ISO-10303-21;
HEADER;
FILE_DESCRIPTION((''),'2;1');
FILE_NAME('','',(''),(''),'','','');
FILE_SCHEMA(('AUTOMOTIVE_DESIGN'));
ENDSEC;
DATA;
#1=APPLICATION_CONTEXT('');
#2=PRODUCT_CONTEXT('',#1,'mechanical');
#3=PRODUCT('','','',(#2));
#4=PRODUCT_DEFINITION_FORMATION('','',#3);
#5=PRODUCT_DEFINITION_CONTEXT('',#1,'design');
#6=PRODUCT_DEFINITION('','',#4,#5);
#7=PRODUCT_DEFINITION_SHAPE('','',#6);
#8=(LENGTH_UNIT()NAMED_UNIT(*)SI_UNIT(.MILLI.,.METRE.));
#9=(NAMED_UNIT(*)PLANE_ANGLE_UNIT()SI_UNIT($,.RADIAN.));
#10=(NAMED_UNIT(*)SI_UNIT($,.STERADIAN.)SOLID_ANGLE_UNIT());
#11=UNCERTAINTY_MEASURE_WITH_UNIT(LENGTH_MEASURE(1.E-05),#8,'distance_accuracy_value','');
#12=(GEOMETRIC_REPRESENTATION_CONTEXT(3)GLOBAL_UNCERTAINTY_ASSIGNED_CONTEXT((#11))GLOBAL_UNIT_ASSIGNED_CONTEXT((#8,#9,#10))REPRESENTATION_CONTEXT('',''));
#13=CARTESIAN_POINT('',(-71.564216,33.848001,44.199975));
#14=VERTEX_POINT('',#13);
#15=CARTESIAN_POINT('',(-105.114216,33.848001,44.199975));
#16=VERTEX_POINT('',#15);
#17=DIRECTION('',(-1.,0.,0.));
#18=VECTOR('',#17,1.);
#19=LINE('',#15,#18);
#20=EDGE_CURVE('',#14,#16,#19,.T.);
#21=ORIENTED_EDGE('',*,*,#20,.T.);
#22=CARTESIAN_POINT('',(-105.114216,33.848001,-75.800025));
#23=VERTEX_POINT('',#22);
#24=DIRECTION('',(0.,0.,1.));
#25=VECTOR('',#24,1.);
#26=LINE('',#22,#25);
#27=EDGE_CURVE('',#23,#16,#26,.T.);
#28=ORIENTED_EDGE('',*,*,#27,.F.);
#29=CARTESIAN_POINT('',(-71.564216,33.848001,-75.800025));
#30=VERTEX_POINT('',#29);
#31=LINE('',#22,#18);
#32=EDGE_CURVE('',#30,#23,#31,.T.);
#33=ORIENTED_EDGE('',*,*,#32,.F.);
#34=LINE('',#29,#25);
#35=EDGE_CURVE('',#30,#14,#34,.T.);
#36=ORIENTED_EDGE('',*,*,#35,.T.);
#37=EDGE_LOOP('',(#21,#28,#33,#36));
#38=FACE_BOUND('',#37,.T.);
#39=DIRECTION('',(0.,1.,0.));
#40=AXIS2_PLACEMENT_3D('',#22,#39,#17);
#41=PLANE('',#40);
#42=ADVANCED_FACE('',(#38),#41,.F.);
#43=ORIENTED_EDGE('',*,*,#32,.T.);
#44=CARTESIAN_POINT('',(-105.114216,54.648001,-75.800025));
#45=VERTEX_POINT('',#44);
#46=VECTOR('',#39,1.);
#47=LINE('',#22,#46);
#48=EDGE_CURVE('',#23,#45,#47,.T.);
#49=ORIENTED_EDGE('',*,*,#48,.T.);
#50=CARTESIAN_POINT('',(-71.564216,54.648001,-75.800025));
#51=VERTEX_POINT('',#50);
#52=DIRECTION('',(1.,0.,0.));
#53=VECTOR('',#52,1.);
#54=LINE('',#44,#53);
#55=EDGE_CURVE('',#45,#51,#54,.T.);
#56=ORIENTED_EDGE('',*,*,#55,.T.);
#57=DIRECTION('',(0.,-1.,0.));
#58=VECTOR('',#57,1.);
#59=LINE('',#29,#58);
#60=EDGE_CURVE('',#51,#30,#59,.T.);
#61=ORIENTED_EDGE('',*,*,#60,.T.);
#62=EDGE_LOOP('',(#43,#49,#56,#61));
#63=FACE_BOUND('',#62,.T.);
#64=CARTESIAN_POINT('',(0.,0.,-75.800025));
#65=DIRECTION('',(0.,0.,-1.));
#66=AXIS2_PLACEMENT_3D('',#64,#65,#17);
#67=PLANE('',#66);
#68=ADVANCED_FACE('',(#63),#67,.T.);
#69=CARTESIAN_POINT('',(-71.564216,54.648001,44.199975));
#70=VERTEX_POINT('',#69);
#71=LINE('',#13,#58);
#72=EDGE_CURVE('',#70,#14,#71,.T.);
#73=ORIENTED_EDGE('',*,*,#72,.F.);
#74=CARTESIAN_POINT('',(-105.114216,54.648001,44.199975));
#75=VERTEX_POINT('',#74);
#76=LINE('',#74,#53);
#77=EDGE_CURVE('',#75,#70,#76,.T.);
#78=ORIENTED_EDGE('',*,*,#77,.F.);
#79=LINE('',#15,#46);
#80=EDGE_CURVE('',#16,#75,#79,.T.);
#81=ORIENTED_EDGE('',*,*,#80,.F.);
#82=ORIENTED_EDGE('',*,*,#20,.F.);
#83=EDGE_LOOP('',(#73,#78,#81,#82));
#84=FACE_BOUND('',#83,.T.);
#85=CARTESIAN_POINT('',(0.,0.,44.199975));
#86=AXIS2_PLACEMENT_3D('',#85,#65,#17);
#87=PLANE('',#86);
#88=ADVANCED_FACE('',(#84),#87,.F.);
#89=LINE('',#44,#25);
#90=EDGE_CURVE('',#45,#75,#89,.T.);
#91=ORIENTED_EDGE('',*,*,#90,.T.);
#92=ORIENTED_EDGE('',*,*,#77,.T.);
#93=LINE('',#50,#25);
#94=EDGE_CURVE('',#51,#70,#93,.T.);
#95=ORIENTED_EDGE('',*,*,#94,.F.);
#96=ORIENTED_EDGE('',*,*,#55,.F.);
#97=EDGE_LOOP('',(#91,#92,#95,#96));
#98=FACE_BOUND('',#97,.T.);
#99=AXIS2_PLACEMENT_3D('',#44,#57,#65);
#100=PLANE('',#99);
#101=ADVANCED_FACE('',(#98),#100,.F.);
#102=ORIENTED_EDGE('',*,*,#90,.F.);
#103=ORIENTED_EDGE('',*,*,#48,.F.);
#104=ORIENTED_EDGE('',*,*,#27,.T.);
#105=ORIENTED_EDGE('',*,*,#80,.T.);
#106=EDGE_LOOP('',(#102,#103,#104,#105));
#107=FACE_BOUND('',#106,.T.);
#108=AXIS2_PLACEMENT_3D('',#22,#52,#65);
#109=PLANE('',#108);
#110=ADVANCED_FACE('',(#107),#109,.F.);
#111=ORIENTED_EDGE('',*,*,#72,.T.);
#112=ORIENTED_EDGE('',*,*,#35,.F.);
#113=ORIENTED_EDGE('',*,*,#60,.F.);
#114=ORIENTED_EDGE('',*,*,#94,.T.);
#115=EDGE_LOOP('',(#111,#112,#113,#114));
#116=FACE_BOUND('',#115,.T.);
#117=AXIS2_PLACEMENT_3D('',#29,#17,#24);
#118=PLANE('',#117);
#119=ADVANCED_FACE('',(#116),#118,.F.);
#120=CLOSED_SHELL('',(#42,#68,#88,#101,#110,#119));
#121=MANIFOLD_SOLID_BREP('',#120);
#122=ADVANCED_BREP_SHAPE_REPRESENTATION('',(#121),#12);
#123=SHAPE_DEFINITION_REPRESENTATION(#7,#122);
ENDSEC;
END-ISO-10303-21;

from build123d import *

# Parameters (mm, degrees)
SKETCH_2_W      = 33.55
SKETCH_2_H      = 20.8
EXTRUDE_2_DEPTH = 120


with BuildPart() as part:
    # 스케치2 → 보스-돌출2 (new body)
    with BuildSketch(Plane(origin=(0, 0, 44.199975), x_dir=(-1, 0, 0), z_dir=(0, 0, -1))):
        with Locations((88.339215729, 44.248001191)):
            Rectangle(SKETCH_2_W, SKETCH_2_H)
    extrude(amount=EXTRUDE_2_DEPTH)


solid = part.part
